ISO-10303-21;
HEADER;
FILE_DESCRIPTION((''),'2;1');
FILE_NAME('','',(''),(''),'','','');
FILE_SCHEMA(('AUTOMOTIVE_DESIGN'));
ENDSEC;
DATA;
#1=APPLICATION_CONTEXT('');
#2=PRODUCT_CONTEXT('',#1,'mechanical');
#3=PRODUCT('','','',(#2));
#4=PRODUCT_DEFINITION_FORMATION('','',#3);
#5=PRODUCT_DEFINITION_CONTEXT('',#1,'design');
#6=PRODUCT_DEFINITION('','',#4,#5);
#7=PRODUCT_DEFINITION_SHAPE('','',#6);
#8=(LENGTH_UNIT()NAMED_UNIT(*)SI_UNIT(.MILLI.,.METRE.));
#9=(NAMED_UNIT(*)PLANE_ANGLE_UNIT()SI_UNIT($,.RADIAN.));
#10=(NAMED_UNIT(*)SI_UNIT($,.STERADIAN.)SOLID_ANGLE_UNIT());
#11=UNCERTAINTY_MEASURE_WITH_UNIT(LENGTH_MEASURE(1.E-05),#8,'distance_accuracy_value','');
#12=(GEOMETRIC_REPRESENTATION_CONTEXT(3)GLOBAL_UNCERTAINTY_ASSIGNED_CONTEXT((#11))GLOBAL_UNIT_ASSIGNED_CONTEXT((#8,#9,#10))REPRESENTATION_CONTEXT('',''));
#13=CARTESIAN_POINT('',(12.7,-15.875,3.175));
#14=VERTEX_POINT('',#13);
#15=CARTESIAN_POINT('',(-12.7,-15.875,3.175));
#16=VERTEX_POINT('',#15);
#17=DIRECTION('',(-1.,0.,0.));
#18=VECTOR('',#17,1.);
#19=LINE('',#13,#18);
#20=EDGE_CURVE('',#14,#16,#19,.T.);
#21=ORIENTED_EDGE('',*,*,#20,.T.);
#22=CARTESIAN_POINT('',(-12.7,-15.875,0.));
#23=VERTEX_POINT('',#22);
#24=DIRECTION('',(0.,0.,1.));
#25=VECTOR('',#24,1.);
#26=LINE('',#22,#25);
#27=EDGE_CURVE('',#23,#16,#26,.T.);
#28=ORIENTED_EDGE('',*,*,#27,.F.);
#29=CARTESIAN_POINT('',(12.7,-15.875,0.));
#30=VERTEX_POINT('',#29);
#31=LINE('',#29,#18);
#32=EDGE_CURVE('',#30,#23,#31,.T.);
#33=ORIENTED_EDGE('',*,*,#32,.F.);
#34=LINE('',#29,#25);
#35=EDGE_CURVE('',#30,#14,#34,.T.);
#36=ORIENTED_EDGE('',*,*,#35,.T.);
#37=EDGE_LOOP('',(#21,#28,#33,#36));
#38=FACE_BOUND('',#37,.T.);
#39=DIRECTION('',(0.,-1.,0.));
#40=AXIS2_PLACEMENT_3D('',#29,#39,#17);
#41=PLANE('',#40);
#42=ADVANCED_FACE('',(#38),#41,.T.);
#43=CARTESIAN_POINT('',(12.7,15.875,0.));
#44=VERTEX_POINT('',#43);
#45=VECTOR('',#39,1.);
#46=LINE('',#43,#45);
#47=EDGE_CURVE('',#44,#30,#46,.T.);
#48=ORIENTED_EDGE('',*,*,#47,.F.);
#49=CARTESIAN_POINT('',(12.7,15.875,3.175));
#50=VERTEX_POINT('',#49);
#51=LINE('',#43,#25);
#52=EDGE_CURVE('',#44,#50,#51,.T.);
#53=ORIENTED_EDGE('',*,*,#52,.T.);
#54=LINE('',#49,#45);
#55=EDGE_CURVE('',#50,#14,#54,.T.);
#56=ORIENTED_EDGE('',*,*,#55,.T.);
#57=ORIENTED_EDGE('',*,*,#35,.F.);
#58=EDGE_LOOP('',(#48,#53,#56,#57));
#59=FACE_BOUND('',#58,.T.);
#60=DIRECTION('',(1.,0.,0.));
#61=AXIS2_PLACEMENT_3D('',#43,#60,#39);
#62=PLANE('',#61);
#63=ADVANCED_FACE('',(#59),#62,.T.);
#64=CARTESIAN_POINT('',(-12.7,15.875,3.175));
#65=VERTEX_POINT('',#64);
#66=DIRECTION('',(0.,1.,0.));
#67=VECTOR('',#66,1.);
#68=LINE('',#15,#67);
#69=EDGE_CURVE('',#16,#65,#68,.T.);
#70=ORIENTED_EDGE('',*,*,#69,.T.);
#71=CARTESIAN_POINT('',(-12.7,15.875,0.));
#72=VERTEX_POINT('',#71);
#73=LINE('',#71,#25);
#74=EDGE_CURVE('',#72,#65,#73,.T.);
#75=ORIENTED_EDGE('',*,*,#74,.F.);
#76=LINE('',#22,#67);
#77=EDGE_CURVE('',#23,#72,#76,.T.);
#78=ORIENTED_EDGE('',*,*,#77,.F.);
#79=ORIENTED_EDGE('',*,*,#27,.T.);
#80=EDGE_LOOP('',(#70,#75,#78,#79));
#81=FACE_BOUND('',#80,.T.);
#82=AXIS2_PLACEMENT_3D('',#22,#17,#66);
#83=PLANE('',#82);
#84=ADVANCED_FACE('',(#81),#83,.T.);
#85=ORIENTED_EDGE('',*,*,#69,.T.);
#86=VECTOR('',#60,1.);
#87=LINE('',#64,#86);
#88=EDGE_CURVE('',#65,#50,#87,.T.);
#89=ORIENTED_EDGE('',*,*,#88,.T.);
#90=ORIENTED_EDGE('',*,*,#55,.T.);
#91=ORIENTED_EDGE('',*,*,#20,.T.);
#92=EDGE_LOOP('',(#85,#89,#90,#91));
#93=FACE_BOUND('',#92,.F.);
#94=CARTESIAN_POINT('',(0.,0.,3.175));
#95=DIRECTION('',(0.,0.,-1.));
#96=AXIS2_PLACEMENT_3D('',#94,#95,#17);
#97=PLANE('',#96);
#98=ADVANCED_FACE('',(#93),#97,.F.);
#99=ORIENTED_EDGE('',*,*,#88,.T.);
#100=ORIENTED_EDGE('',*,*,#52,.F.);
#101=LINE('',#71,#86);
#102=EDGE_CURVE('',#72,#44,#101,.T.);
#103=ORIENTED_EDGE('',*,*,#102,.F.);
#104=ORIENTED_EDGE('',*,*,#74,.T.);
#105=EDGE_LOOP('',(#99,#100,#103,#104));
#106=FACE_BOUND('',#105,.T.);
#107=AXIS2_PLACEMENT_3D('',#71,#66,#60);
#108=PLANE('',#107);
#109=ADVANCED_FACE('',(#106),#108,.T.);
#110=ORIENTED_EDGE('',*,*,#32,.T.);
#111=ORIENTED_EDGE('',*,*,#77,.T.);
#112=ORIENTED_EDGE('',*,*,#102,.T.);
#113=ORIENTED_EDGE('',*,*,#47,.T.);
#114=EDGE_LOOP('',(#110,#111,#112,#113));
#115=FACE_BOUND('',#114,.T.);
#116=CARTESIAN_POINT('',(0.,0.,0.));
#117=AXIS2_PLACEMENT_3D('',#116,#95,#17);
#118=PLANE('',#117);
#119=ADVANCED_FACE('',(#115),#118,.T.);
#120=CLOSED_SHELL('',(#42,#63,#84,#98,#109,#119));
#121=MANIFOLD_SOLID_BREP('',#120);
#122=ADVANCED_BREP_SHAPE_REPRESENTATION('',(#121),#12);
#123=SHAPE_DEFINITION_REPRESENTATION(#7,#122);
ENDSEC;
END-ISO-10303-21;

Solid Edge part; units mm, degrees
sketch "Sketch1" plane through (0, 0, 0) normal (0, 0, 1) x (1, 0, 0)
  line L0 (-12.7, 15.875) -> (12.7, 15.875)
  line L1 (12.7, 15.875) -> (12.7, -15.875)
  line L2 (12.7, -15.875) -> (-12.7, -15.875)
  line L3 (-12.7, -15.875) -> (-12.7, 15.875)
  dimension "D1" = 31.75
  dimension "D2" = 25.4
extrude "Protrusion1" add sketch "Sketch1" along normal blind 3.175
properties material "Polypropylene, high impact"
